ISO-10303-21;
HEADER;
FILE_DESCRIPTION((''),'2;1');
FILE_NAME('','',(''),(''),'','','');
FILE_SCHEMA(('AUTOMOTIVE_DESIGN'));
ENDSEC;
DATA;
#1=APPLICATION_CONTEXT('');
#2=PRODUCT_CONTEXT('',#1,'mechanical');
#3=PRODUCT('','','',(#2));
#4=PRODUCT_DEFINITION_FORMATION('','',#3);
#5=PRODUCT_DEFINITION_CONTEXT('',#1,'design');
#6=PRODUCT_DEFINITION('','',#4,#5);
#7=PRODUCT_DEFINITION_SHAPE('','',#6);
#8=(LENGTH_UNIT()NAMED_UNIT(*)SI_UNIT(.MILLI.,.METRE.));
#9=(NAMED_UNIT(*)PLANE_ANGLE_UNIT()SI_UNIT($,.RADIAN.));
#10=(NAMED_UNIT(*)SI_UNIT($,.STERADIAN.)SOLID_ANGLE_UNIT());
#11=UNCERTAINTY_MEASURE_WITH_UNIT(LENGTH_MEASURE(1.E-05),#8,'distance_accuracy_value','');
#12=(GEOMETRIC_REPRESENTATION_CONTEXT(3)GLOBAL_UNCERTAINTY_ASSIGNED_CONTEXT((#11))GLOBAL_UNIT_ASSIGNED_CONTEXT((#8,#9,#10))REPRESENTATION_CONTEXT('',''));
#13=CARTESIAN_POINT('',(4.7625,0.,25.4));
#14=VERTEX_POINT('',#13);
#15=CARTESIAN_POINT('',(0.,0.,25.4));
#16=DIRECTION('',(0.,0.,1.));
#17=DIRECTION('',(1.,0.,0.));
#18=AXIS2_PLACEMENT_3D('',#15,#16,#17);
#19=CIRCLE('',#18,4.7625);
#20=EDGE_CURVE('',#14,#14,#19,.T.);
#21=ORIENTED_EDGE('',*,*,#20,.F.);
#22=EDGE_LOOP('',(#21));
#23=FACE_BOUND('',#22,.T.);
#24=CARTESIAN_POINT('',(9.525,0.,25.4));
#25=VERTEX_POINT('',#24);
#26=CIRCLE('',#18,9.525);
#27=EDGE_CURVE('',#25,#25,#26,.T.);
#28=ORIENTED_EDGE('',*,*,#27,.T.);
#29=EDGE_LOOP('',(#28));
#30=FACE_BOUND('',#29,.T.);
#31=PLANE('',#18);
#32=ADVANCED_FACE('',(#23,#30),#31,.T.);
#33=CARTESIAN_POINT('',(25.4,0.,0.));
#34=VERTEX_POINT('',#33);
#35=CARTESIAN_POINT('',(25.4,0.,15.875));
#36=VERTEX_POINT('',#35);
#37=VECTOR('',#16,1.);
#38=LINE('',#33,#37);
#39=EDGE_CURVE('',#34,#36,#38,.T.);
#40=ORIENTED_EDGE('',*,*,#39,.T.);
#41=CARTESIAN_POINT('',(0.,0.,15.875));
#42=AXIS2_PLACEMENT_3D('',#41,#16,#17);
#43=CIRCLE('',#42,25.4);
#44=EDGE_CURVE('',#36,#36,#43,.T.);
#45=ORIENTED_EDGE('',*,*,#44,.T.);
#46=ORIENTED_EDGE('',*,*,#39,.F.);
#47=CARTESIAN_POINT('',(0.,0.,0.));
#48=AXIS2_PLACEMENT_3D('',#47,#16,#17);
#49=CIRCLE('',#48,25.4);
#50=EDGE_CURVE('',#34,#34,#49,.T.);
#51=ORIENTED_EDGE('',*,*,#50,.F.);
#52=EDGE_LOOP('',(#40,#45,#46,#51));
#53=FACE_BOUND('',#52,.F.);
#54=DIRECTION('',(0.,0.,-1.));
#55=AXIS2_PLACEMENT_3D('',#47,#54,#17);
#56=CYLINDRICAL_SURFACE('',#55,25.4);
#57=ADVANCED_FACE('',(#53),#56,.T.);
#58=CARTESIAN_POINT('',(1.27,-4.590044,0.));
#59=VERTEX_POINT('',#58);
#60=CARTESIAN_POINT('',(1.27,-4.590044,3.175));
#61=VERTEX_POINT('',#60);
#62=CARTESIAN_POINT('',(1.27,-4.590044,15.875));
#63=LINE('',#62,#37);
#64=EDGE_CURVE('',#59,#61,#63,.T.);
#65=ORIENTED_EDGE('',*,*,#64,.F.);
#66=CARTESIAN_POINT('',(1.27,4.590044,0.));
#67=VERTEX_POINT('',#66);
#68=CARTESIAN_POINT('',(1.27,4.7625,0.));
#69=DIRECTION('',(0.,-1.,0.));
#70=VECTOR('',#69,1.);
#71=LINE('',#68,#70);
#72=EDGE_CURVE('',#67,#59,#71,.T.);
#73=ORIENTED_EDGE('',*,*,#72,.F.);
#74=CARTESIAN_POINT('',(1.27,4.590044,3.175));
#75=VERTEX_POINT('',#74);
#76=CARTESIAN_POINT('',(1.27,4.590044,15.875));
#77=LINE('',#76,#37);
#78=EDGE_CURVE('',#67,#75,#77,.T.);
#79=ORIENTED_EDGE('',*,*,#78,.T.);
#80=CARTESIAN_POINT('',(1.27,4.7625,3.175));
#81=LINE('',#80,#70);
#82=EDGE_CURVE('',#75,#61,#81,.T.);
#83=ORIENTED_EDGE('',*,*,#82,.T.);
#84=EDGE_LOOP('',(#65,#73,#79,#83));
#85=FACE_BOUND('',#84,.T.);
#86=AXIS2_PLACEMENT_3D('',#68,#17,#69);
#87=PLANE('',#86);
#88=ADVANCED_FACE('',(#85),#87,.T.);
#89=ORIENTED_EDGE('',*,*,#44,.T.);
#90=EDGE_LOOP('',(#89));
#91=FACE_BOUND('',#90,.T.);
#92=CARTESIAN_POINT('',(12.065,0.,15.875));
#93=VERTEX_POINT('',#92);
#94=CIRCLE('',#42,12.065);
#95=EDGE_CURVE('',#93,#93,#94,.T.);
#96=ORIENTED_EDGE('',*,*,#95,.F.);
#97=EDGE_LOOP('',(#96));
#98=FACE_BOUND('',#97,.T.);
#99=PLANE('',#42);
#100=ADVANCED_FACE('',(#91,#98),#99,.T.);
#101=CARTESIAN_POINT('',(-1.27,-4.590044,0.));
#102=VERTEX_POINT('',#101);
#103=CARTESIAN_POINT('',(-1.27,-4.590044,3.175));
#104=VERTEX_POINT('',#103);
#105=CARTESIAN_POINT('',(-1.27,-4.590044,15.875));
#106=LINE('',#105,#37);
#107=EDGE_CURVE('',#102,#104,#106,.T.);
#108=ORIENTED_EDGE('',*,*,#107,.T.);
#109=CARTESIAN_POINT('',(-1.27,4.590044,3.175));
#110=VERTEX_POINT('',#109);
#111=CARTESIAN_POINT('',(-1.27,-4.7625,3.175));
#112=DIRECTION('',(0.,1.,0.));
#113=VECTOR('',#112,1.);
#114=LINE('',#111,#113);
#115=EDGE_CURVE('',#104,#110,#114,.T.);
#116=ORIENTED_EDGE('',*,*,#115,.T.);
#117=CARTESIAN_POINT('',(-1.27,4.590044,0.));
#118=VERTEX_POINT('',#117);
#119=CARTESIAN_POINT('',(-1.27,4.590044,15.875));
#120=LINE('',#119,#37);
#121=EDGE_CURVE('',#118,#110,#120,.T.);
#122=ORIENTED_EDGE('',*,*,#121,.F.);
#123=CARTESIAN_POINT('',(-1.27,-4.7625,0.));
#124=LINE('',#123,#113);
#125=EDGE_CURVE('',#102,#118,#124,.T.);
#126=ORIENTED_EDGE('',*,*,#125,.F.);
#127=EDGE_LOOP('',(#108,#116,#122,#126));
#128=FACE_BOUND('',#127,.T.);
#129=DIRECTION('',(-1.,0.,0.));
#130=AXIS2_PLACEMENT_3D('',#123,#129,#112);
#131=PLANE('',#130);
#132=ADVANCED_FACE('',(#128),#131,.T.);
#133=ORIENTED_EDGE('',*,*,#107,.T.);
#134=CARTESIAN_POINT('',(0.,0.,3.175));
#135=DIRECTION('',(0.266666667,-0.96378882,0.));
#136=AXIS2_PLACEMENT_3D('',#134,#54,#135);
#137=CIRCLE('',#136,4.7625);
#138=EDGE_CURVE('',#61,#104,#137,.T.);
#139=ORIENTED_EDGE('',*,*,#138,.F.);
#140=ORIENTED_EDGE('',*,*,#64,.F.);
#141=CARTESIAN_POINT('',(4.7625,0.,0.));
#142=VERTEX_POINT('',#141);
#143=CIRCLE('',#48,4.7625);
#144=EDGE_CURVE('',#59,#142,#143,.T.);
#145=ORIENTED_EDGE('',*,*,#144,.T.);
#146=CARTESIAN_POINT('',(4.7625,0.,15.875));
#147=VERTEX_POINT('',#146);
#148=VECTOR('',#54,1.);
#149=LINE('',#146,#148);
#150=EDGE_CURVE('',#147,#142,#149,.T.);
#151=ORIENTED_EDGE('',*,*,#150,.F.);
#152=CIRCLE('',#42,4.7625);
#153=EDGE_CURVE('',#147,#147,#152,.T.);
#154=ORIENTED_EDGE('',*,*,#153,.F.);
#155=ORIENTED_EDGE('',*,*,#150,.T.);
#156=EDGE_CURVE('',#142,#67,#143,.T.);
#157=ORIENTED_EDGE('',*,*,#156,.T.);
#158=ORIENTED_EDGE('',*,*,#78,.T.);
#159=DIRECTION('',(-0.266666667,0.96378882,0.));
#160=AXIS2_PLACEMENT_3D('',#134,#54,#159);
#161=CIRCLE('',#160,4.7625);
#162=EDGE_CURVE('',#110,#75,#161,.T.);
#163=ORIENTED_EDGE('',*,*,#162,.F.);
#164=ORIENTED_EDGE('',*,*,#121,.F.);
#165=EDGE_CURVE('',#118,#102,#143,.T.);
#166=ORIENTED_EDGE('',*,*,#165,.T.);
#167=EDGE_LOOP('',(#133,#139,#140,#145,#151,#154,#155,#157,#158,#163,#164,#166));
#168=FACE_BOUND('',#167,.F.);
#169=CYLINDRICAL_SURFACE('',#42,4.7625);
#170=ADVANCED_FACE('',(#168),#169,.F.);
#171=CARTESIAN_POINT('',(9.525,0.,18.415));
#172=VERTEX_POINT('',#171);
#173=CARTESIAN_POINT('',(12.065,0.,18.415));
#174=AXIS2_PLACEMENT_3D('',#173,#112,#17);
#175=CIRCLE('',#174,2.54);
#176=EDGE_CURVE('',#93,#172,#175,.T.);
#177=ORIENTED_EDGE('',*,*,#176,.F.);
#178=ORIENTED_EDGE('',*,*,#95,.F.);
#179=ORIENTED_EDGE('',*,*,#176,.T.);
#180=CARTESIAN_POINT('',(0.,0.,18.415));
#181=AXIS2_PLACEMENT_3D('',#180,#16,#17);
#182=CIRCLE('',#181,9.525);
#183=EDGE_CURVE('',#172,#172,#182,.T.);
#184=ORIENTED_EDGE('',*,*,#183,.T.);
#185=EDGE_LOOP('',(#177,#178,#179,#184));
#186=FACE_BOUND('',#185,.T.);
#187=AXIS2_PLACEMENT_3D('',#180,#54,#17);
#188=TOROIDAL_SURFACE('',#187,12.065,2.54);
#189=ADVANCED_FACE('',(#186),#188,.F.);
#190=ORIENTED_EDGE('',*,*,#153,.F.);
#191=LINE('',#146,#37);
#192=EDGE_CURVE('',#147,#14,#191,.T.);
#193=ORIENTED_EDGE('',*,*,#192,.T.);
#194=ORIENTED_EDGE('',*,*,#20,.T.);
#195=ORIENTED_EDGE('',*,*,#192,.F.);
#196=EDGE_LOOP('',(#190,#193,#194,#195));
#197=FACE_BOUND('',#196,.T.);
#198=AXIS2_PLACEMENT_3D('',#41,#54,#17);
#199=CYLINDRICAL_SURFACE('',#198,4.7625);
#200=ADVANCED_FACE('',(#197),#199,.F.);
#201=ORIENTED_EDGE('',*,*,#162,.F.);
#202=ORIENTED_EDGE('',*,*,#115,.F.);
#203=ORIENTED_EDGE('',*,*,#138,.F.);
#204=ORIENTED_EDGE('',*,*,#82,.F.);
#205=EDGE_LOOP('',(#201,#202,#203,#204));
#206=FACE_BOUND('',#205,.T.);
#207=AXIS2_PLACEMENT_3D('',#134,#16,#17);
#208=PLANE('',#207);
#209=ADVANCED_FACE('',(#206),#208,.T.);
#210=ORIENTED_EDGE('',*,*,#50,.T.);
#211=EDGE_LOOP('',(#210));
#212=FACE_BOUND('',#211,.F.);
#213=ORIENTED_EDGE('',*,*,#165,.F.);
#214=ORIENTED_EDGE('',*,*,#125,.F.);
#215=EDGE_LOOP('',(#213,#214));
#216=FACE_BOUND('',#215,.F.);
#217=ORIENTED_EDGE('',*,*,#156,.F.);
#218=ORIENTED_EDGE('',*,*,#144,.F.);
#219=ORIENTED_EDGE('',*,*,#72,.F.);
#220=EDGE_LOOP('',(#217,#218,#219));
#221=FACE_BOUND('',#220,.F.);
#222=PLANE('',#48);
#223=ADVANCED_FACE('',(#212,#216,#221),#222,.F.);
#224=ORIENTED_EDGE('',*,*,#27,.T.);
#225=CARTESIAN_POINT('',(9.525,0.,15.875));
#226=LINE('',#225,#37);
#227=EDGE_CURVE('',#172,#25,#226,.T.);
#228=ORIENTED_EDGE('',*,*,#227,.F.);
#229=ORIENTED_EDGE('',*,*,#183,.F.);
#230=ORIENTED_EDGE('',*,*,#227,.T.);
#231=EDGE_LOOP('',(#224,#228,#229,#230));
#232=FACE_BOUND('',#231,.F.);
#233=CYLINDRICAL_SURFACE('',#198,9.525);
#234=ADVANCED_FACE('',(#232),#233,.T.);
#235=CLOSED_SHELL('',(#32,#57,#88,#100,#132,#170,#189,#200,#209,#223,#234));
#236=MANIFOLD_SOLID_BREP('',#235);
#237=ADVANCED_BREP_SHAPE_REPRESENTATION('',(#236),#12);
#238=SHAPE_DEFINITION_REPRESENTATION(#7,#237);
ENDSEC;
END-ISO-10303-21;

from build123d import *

# Parameters (mm, degrees)
SKETCH2_R           = 25.4
BOSS_EXTRUDE1_DEPTH = 15.875
SKETCH3_R           = 9.525
SKETCH3_R_2         = 4.7625
BOSS_EXTRUDE2_DEPTH = 9.525
SKETCH4_R           = 4.7625
CUT_EXTRUDE2_DEPTH  = 24.511
BOSS_EXTRUDE3_DEPTH = 3.175
FILLET1_R           = 2.54


with BuildPart() as part:
    # Sketch2 → Boss-Extrude1 (new body)
    with BuildSketch(Plane.XY):
        Circle(SKETCH2_R)
    extrude(amount=BOSS_EXTRUDE1_DEPTH)

    # Sketch3 → Boss-Extrude2 (add)
    with BuildSketch(Plane.XY.offset(15.875)):
        Circle(SKETCH3_R)
        Circle(SKETCH3_R_2, mode=Mode.SUBTRACT)
    extrude(amount=BOSS_EXTRUDE2_DEPTH)

    # Sketch4 → Cut-Extrude2 (cut)
    with BuildSketch(Plane.XY.offset(15.875)):
        Circle(SKETCH4_R)
    extrude(amount=-CUT_EXTRUDE2_DEPTH, mode=Mode.SUBTRACT)

    # Sketch5 → Boss-Extrude3 (add)
    with BuildSketch(Plane(origin=(0, 0, 0), x_dir=(-1, 0, 0), z_dir=(0, 0, -1))):
        Polygon((0, 4.7625), (1.27, 4.7625), (1.27, 0), (1.27, -4.7625), (0, -4.7625), (-1.27, -4.7625), (-1.27, 0), (-1.27, 4.7625), align=None)
    extrude(amount=-BOSS_EXTRUDE3_DEPTH)

    # Fillet1
    fillet1_edges = [part.edges().sort_by_distance(p)[0] for p in [
        (-9.525, 0, 15.875),
    ]]
    fillet(fillet1_edges, radius=FILLET1_R)


solid = part.part
